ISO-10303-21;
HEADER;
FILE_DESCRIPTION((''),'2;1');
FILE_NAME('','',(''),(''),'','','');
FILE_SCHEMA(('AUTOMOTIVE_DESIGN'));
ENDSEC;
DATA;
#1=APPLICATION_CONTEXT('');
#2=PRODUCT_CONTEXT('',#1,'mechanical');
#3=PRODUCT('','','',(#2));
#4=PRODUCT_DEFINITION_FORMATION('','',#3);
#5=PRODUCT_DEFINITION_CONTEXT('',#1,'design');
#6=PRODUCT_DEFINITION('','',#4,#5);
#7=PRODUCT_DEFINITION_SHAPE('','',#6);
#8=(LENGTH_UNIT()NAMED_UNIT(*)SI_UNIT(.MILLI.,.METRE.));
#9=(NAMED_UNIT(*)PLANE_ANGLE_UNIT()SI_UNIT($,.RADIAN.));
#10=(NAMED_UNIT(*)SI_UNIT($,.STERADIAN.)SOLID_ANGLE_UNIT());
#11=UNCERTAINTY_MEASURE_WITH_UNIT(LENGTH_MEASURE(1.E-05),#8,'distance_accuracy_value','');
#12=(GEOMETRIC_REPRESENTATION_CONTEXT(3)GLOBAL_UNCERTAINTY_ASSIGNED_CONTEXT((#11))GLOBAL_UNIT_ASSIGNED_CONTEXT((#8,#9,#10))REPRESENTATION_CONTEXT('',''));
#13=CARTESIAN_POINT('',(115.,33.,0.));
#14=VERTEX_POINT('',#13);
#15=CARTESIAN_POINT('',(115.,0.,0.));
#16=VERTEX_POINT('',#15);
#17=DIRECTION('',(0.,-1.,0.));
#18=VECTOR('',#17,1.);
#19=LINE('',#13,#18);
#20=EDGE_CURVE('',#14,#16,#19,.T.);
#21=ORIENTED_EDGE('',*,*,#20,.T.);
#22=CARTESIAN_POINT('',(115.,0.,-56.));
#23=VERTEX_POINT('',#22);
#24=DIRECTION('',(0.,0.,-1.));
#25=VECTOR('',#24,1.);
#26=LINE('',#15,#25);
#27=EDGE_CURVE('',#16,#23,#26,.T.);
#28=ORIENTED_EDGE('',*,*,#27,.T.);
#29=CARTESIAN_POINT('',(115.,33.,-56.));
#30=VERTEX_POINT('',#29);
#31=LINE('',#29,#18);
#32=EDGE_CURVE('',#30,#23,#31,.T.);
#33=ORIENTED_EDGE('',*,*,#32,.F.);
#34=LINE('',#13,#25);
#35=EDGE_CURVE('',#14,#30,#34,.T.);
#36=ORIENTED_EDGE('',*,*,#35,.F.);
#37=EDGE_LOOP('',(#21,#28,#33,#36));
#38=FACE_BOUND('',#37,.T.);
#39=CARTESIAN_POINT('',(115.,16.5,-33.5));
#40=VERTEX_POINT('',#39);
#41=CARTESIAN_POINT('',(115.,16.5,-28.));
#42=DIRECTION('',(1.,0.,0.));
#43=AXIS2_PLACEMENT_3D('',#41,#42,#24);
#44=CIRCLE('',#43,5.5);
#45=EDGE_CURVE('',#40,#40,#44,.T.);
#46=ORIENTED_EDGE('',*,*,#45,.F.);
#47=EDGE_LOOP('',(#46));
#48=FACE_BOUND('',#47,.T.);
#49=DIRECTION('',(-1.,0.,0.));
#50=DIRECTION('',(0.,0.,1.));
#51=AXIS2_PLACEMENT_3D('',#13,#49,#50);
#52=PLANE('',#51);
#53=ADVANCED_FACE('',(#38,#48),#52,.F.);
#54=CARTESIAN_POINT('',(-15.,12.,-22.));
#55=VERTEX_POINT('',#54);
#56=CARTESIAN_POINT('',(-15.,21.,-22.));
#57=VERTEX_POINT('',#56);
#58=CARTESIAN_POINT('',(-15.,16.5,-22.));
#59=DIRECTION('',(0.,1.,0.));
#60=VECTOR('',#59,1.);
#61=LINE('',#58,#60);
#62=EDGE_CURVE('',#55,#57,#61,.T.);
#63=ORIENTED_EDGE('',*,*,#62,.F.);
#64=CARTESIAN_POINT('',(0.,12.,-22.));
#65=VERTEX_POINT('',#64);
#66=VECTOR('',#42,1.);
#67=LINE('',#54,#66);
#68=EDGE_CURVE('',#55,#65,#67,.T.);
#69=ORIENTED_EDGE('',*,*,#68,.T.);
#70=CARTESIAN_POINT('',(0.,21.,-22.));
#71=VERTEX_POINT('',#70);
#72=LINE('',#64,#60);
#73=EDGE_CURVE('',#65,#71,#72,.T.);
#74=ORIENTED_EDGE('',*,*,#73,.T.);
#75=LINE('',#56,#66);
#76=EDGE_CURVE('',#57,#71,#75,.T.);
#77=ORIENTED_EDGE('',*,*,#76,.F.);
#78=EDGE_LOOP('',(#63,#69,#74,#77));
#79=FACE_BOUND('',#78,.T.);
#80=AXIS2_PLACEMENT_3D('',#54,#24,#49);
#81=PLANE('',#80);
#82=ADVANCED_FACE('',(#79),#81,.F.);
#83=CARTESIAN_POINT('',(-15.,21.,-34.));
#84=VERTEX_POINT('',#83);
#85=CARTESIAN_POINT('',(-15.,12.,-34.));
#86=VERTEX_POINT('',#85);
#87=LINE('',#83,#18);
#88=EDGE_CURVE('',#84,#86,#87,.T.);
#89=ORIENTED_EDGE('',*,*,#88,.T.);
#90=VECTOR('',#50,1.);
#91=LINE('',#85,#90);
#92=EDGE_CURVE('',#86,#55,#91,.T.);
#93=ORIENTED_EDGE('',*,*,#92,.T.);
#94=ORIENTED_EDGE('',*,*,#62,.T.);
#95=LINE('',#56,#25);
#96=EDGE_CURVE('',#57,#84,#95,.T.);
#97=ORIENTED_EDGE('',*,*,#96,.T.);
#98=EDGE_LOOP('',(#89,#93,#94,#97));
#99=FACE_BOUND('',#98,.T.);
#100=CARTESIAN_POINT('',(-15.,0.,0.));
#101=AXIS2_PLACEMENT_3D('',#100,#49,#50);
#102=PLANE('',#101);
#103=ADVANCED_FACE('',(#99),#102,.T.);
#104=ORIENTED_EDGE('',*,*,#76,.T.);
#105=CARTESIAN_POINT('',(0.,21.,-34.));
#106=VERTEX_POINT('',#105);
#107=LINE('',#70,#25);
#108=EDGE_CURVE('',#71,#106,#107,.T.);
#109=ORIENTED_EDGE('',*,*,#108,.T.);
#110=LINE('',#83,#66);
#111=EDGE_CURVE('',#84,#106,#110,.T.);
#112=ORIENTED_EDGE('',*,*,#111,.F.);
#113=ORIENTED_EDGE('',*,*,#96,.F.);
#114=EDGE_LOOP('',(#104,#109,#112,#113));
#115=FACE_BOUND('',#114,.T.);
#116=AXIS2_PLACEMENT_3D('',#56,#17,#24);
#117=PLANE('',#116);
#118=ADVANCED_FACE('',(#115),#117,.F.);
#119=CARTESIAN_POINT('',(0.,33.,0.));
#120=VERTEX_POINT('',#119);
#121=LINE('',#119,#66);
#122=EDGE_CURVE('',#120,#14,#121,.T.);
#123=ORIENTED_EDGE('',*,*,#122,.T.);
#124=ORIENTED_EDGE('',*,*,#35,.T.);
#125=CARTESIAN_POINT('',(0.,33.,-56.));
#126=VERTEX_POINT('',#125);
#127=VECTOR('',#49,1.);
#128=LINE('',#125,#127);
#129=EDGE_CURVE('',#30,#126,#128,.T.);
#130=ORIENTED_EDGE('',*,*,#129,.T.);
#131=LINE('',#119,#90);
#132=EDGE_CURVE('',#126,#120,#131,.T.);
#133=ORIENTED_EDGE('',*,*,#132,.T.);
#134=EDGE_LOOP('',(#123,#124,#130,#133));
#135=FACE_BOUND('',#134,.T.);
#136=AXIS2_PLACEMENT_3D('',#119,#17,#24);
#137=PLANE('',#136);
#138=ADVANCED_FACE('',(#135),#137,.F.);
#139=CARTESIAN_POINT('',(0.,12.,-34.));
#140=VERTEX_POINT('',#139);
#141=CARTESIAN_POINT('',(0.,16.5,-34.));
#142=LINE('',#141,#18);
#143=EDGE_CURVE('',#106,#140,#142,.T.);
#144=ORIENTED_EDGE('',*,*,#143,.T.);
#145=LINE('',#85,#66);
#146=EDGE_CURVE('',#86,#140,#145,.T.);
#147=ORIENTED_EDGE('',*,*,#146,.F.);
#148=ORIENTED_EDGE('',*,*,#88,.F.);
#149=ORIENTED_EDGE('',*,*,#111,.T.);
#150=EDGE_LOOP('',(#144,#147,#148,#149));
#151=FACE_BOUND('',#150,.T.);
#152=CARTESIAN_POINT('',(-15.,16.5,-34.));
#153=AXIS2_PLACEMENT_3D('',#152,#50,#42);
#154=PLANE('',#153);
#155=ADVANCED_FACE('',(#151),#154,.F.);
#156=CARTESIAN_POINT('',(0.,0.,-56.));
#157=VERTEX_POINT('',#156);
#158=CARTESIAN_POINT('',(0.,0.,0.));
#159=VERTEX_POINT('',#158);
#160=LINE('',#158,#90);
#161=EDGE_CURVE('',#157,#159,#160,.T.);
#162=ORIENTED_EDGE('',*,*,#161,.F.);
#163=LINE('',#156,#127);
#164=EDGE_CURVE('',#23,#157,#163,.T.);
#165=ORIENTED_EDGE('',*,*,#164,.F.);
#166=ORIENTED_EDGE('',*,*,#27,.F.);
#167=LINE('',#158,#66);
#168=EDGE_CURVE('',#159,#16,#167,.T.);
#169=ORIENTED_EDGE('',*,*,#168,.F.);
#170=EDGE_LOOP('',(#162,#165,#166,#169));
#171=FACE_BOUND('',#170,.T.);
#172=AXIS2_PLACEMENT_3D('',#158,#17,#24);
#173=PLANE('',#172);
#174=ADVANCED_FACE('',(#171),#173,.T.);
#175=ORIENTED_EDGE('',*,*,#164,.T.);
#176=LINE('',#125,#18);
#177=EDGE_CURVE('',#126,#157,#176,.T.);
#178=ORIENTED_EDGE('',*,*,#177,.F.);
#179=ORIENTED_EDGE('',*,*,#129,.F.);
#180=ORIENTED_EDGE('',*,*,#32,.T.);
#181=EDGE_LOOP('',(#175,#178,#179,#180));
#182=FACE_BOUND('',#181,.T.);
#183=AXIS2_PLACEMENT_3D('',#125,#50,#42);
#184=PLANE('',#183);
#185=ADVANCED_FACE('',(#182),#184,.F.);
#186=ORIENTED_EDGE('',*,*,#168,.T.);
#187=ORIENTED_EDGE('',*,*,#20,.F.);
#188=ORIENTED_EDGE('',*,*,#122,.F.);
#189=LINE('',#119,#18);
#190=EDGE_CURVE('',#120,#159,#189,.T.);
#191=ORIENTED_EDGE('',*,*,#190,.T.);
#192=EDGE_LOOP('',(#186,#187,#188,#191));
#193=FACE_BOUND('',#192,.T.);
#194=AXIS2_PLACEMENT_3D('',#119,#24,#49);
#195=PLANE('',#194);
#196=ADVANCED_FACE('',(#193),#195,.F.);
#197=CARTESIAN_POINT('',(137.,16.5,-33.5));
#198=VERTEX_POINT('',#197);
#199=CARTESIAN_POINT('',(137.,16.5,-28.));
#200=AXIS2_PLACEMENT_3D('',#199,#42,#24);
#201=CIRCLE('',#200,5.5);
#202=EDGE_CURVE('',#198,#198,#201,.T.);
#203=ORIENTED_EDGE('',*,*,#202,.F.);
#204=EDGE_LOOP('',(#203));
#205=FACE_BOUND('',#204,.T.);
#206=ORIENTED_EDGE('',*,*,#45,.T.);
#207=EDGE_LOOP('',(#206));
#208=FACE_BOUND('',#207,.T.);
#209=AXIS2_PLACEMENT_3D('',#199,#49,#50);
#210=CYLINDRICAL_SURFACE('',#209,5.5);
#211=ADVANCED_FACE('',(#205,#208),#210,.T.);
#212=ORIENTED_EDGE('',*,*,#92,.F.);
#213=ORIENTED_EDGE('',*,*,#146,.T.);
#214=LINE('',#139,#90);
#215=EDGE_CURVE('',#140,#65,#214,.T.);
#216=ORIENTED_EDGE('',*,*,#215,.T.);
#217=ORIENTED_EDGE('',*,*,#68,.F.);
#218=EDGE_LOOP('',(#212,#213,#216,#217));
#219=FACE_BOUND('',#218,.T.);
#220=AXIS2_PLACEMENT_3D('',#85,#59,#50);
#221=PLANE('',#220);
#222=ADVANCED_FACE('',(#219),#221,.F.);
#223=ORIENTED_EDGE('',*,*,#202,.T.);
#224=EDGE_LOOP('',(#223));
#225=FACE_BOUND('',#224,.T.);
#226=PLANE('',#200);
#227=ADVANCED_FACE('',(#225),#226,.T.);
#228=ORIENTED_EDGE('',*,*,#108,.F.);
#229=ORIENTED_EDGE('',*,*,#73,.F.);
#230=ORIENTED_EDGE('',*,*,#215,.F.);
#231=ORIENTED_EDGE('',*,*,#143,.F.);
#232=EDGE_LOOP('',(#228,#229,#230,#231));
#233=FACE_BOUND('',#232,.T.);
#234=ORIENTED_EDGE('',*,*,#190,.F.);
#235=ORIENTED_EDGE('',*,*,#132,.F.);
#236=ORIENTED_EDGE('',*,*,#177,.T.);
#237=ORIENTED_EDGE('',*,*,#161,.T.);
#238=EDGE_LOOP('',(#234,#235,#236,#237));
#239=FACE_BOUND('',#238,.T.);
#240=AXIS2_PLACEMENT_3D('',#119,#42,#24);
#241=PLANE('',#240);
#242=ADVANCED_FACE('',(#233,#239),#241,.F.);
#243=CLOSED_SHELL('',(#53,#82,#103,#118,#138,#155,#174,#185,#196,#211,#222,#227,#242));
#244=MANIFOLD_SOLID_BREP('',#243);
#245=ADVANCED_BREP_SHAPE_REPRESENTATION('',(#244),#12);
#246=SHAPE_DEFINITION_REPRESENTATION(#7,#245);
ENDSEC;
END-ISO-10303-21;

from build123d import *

# Parameters (mm, degrees)
SZKIC1_W                    = 115
SZKIC1_H                    = 56
DODANIE_WYCI_GNI_CIE1_DEPTH = 33
SZKIC2_R                    = 5.5
DODANIE_WYCI_GNI_CIE2_DEPTH = 22
DODANIE_WYCI_GNI_CIE3_DEPTH = 15


with BuildPart() as part:
    # Szkic1 → Dodanie-wyciągnięcie1 (new body)
    with BuildSketch(Plane(origin=(0, 0, 0), x_dir=(1, 0, 0), z_dir=(0, 1, 0))):
        with Locations((57.5, 28)):
            Rectangle(SZKIC1_W, SZKIC1_H)
    extrude(amount=DODANIE_WYCI_GNI_CIE1_DEPTH)

    # Szkic2 → Dodanie-wyciągnięcie2 (add)
    with BuildSketch(Plane(origin=(115, 0, 0), x_dir=(0, 0, -1), z_dir=(1, 0, 0))):
        with Locations((28, 16.5)):
            Circle(SZKIC2_R)
    extrude(amount=DODANIE_WYCI_GNI_CIE2_DEPTH)

    # Szkic3 → Dodanie-wyciągnięcie3 (add)
    with BuildSketch(Plane.ZY):
        Polygon((-34, 16.5), (-34, 12), (-22, 12), (-22, 16.5), (-22, 21), (-34, 21), align=None)
    extrude(amount=DODANIE_WYCI_GNI_CIE3_DEPTH)


solid = part.part
